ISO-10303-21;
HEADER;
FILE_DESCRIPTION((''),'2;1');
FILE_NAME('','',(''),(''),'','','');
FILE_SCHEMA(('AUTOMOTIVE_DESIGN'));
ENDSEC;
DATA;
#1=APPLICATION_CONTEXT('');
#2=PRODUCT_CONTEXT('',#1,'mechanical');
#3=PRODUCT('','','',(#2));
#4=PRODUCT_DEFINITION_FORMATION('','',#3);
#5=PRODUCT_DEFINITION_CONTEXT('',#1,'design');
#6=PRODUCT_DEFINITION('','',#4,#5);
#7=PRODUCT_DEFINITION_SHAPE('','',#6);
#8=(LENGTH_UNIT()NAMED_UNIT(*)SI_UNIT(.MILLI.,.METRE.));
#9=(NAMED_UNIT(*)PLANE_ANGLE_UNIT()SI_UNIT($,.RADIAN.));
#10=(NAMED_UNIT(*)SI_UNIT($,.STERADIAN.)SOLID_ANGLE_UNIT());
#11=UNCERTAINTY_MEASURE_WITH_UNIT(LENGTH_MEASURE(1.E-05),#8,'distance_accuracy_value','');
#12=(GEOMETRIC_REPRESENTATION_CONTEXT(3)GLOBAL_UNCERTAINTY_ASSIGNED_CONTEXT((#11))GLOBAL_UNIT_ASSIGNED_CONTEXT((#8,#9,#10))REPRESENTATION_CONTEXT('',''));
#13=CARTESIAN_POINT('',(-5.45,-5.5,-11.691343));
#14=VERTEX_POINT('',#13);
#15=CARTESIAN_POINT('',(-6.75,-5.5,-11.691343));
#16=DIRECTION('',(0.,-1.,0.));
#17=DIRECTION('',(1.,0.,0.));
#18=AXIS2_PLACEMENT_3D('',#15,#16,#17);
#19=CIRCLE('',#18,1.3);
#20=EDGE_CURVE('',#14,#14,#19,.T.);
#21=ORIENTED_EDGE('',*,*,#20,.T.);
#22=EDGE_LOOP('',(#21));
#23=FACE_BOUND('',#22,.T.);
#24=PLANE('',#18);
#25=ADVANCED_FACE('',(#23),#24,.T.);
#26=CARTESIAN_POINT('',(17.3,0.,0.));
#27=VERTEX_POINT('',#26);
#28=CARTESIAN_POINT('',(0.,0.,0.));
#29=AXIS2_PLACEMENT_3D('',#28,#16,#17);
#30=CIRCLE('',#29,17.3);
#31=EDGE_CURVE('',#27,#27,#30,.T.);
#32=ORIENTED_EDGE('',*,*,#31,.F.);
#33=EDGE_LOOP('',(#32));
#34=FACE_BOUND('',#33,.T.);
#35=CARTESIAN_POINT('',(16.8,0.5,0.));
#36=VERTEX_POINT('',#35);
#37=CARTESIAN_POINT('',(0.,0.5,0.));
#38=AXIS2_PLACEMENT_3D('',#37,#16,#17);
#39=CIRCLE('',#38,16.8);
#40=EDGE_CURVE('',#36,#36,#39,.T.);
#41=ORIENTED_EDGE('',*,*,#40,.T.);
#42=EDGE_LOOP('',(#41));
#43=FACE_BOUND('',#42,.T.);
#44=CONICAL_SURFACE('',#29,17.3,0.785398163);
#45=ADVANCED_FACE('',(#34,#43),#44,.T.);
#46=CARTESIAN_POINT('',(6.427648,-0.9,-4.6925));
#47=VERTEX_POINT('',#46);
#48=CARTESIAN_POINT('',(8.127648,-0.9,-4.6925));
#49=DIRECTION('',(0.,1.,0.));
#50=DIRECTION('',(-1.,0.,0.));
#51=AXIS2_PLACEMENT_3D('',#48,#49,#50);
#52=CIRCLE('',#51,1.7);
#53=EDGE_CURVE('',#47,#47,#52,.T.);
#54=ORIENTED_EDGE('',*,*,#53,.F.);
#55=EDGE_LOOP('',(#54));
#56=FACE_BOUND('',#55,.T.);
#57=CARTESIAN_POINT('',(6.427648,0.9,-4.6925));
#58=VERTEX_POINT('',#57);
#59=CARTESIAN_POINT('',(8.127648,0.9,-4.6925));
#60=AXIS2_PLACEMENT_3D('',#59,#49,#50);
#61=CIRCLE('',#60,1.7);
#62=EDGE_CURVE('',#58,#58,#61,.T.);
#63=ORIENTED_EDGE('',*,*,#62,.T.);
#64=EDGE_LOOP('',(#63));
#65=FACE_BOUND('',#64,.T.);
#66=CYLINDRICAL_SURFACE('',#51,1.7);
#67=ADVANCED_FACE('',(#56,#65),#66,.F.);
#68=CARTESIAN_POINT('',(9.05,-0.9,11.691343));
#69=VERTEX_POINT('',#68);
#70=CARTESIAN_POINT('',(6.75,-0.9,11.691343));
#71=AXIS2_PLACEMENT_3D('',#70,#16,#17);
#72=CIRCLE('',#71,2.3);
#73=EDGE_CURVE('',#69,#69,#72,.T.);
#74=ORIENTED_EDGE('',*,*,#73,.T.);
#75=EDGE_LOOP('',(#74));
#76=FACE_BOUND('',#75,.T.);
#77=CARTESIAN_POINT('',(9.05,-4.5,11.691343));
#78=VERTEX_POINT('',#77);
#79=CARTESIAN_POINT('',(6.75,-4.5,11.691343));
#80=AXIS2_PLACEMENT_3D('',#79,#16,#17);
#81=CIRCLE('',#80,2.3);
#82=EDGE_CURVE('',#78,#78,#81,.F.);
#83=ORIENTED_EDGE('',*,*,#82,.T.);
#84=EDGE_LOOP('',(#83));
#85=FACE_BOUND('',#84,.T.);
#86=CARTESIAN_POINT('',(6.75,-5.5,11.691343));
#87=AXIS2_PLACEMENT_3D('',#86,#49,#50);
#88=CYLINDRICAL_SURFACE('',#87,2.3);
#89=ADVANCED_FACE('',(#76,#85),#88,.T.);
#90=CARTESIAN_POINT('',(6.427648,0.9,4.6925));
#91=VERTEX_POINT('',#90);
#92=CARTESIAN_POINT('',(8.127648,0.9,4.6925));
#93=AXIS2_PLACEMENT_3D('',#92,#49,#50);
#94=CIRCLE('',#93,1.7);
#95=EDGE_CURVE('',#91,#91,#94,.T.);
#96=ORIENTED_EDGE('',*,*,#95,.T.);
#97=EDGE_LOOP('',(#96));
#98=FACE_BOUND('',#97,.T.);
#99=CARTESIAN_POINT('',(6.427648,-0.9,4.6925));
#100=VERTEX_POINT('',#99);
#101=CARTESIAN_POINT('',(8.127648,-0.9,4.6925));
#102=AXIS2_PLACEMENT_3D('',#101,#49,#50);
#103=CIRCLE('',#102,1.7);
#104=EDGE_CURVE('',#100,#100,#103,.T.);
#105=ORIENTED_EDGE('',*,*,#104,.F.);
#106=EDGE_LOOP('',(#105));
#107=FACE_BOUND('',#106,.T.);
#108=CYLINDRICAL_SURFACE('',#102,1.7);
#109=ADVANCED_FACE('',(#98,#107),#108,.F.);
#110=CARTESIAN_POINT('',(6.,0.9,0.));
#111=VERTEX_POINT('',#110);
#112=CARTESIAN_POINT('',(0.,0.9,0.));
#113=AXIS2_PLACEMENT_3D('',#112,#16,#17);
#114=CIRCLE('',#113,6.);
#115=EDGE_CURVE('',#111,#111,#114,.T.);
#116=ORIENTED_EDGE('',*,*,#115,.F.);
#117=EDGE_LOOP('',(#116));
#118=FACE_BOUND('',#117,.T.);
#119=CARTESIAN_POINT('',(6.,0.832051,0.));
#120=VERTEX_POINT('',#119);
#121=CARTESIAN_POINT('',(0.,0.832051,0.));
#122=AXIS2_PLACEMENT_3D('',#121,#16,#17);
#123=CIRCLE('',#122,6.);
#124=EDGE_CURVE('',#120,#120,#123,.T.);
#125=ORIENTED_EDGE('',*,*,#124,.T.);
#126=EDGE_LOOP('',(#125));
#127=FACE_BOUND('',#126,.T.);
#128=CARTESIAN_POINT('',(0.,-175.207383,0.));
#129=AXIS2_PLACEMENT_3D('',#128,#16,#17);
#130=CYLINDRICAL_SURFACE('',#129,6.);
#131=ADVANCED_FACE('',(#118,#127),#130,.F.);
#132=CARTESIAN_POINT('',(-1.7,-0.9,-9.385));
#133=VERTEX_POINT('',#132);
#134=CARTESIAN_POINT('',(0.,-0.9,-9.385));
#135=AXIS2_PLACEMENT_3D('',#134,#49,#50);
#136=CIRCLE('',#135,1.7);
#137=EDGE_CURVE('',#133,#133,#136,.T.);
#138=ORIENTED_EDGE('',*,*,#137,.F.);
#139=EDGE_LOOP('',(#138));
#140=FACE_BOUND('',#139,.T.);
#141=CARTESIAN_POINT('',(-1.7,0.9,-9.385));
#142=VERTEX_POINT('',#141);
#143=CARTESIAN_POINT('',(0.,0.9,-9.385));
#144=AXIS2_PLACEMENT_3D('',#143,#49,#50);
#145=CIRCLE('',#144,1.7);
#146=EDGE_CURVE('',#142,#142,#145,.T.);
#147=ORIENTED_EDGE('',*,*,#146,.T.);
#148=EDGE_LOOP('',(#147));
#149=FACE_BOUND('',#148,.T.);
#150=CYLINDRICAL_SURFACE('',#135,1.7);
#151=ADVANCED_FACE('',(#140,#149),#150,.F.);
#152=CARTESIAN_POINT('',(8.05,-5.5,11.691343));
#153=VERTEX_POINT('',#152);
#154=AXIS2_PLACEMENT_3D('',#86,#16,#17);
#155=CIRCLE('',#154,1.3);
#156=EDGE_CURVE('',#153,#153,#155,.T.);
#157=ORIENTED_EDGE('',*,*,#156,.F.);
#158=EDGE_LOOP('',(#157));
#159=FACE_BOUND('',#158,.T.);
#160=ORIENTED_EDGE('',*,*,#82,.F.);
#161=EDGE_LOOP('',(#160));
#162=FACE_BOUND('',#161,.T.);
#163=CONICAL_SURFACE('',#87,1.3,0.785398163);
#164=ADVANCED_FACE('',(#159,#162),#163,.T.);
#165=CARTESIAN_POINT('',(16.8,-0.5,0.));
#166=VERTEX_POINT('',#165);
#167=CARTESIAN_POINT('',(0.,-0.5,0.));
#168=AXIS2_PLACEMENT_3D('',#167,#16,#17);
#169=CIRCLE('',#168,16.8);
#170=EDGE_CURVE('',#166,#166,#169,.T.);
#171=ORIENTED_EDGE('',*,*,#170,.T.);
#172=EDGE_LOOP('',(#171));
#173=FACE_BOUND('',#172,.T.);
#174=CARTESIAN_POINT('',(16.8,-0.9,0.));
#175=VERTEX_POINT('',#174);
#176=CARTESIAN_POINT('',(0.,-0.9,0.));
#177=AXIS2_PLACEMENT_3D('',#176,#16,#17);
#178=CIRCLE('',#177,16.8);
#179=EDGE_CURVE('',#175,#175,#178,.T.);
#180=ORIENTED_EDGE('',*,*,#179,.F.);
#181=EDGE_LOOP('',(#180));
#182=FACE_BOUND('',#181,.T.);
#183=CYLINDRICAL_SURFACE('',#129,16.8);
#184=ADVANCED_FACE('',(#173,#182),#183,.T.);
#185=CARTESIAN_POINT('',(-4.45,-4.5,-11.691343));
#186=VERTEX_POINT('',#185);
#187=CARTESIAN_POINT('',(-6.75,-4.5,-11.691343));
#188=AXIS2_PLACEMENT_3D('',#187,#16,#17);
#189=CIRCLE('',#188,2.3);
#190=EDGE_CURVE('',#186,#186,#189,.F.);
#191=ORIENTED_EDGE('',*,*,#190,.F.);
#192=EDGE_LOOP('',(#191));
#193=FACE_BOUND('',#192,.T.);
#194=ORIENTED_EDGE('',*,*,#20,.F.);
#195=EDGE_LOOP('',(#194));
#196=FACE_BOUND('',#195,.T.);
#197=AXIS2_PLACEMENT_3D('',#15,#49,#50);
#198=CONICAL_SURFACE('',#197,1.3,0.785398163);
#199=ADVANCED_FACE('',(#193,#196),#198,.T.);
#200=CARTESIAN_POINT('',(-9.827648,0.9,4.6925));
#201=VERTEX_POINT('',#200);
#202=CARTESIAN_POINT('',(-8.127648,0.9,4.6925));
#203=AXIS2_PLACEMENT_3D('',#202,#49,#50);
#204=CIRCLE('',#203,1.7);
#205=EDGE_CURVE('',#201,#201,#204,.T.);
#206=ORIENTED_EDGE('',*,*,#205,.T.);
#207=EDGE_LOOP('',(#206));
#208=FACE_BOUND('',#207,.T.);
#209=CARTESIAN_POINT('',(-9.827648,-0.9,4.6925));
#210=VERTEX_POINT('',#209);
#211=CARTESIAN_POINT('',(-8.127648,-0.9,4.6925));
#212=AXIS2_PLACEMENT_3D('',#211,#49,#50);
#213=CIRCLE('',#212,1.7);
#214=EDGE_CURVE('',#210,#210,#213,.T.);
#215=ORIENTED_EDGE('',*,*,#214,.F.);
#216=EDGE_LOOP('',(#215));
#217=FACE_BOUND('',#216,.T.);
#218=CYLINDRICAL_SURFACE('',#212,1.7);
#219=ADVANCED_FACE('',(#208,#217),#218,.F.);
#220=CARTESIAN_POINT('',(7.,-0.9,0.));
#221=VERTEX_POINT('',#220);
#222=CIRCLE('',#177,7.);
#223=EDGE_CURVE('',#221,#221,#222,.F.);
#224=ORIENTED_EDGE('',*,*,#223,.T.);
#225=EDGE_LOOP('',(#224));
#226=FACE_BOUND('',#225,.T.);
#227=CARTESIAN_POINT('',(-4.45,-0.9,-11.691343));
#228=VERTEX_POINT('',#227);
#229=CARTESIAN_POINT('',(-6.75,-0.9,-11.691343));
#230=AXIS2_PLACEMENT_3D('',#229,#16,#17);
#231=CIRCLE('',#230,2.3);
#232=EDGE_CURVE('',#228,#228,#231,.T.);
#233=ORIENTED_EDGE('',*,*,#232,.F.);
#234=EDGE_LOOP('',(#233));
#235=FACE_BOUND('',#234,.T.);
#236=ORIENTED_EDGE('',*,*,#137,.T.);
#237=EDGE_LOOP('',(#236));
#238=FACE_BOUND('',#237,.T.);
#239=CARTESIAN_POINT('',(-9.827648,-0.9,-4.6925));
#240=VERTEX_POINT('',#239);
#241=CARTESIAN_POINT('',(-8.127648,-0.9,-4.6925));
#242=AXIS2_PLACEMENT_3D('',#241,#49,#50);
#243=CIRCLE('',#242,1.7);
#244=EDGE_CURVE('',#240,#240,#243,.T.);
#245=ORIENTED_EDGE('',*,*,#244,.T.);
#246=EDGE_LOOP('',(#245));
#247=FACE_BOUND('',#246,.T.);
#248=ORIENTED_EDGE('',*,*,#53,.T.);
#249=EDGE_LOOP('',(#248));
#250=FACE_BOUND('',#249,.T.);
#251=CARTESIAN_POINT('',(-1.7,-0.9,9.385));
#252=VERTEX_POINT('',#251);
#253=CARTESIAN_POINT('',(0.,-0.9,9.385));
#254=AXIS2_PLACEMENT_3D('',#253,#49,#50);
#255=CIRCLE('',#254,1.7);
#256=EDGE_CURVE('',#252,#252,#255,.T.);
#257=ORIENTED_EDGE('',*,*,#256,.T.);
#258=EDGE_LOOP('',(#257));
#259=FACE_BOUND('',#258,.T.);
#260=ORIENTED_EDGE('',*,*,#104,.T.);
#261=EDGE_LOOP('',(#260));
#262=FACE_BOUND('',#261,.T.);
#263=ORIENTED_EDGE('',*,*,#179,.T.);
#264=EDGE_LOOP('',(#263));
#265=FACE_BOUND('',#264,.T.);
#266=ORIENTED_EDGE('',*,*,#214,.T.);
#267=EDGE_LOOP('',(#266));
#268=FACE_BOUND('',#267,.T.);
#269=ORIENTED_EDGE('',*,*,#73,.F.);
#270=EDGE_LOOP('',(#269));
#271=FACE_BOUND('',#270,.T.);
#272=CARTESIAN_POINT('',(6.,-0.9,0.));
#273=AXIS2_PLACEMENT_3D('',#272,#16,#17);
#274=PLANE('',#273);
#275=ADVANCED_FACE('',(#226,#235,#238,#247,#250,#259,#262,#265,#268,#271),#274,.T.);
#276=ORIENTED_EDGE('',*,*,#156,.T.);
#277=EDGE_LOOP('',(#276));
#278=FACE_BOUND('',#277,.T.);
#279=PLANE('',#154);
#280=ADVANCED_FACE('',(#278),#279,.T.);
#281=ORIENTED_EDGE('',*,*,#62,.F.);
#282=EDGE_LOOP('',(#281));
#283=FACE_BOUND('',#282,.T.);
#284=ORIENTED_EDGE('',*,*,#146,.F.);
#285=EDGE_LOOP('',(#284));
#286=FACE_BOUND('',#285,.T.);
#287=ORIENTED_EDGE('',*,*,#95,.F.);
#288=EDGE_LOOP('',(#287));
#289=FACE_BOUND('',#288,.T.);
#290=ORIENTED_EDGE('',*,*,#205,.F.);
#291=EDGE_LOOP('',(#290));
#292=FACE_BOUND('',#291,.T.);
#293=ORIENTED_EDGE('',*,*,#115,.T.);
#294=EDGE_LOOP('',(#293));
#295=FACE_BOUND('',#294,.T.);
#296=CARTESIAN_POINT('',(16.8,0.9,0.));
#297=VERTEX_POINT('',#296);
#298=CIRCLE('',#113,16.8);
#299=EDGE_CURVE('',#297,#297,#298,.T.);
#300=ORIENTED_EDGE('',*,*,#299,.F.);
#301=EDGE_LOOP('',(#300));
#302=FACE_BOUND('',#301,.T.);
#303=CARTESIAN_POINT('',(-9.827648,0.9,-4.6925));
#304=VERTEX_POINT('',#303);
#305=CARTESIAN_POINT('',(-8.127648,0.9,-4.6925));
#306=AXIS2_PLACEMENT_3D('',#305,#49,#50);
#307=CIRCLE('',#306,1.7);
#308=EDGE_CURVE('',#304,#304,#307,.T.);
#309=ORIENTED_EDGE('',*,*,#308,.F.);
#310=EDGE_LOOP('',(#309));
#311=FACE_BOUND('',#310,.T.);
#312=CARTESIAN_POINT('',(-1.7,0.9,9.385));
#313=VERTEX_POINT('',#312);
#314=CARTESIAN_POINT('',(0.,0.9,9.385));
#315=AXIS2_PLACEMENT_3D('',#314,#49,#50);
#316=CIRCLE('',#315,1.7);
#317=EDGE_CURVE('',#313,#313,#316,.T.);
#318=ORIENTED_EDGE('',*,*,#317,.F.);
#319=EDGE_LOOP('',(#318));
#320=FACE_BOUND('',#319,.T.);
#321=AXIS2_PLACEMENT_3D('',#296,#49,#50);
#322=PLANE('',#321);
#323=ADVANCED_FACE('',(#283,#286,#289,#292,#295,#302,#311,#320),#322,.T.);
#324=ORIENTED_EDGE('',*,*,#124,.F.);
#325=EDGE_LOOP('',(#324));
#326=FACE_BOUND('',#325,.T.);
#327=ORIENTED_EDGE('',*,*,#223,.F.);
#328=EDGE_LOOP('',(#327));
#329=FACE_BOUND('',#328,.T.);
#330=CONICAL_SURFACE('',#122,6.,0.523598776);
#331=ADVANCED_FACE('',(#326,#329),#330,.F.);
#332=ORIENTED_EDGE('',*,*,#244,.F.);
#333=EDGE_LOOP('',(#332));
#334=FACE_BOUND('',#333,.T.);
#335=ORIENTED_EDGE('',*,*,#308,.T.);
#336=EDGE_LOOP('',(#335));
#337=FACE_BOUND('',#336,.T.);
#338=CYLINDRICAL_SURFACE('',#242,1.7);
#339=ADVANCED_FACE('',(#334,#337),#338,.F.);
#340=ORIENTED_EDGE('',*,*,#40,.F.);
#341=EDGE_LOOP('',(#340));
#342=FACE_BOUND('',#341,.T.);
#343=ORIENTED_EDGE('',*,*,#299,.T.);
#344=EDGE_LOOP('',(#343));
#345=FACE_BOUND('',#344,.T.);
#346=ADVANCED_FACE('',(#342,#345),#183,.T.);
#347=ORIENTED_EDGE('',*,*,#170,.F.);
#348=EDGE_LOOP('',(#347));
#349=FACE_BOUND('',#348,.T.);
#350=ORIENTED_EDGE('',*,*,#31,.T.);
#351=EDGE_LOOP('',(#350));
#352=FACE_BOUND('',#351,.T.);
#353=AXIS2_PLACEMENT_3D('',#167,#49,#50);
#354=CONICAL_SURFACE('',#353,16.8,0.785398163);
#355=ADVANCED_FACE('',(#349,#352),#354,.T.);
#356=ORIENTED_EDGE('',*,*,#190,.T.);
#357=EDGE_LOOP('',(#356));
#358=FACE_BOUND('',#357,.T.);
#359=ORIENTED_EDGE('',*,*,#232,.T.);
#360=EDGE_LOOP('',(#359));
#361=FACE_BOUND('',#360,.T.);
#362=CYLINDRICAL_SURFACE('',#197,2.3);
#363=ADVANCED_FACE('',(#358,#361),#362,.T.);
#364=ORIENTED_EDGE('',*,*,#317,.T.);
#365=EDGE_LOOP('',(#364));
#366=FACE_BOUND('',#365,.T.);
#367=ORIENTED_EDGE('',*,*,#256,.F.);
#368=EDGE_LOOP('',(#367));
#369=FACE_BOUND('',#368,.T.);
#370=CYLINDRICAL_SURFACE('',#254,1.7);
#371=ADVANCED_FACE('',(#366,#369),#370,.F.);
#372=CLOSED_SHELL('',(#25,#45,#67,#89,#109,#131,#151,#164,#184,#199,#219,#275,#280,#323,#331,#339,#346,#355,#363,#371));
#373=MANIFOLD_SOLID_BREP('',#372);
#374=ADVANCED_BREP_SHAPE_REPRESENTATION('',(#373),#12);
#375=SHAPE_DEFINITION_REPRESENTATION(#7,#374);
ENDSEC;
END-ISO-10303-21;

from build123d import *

# Parameters (mm, degrees)
SKETCH2_R           = 1.7
CUT_EXTRUDE1_DEPTH  = 25.532019892
SKETCH3_R           = 2.3
BOSS_EXTRUDE1_DEPTH = 4.6
CHAMFER1_SIZE       = 1
CHAMFER2_SIZE       = 1
CHAMFER2_SIZE2      = 1.732050808


with BuildPart() as part:
    # Sketch1 → Revolve1 (revolve)
    with BuildSketch(Plane.XY):
        Polygon((6, -0.9), (16.8, -0.9), (16.8, -0.5), (17.3, 0), (16.8, 0.5), (16.8, 0.9), (6, 0.9), align=None)
    revolve(axis=Axis((0, -175.207382849, 0), (0, 1, 0)))

    # Sketch2 → Cut-Extrude1 (cut, through all)
    with BuildSketch(Plane(origin=(0, 0.9, 0), x_dir=(1, 0, 0), z_dir=(0, 1, 0))):
        with Locations(Location((0, 9.385, 0), (0, 0, 180))):
            Circle(SKETCH2_R)
        with Locations(Location((8.127648415, 4.6925, 0), (0, 0, 180))):
            Circle(SKETCH2_R)
        with Locations(Location((8.127648415, -4.6925, 0), (0, 0, 180))):
            Circle(SKETCH2_R)
        with Locations(Location((0, -9.385, 0), (0, 0, 180))):
            Circle(SKETCH2_R)
        with Locations(Location((-8.127648415, -4.6925, 0), (0, 0, 180))):
            Circle(SKETCH2_R)
        with Locations(Location((-8.127648415, 4.6925, 0), (0, 0, 180))):
            Circle(SKETCH2_R)
    extrude(amount=-CUT_EXTRUDE1_DEPTH, mode=Mode.SUBTRACT)

    # Sketch3 → Boss-Extrude1 (add)
    with BuildSketch(Plane.XZ.offset(0.9)):
        with Locations((6.75, 11.691342951)):
            Circle(SKETCH3_R)
        with Locations((-6.75, -11.691342951)):
            Circle(SKETCH3_R)
    extrude(amount=BOSS_EXTRUDE1_DEPTH)

    # Chamfer1
    chamfer1_edges = [part.edges().sort_by_distance(p)[0] for p in [
        (4.45, -5.5, 11.691342951),
        (-9.05, -5.5, -11.691342951),
    ]]
    chamfer(chamfer1_edges, length=CHAMFER1_SIZE)

    # Chamfer2
    chamfer2_edges = [part.edges().sort_by_distance(p)[0] for p in [
        (-6, -0.9, 0),
    ]]
    chamfer2_side = [part.faces().sort_by_distance(p)[0] for p in [
        (-16.324824243, -0.9, 0),
    ]]
    chamfer(chamfer2_edges, length=CHAMFER2_SIZE, length2=CHAMFER2_SIZE2, reference=chamfer2_side[0])


solid = part.part
